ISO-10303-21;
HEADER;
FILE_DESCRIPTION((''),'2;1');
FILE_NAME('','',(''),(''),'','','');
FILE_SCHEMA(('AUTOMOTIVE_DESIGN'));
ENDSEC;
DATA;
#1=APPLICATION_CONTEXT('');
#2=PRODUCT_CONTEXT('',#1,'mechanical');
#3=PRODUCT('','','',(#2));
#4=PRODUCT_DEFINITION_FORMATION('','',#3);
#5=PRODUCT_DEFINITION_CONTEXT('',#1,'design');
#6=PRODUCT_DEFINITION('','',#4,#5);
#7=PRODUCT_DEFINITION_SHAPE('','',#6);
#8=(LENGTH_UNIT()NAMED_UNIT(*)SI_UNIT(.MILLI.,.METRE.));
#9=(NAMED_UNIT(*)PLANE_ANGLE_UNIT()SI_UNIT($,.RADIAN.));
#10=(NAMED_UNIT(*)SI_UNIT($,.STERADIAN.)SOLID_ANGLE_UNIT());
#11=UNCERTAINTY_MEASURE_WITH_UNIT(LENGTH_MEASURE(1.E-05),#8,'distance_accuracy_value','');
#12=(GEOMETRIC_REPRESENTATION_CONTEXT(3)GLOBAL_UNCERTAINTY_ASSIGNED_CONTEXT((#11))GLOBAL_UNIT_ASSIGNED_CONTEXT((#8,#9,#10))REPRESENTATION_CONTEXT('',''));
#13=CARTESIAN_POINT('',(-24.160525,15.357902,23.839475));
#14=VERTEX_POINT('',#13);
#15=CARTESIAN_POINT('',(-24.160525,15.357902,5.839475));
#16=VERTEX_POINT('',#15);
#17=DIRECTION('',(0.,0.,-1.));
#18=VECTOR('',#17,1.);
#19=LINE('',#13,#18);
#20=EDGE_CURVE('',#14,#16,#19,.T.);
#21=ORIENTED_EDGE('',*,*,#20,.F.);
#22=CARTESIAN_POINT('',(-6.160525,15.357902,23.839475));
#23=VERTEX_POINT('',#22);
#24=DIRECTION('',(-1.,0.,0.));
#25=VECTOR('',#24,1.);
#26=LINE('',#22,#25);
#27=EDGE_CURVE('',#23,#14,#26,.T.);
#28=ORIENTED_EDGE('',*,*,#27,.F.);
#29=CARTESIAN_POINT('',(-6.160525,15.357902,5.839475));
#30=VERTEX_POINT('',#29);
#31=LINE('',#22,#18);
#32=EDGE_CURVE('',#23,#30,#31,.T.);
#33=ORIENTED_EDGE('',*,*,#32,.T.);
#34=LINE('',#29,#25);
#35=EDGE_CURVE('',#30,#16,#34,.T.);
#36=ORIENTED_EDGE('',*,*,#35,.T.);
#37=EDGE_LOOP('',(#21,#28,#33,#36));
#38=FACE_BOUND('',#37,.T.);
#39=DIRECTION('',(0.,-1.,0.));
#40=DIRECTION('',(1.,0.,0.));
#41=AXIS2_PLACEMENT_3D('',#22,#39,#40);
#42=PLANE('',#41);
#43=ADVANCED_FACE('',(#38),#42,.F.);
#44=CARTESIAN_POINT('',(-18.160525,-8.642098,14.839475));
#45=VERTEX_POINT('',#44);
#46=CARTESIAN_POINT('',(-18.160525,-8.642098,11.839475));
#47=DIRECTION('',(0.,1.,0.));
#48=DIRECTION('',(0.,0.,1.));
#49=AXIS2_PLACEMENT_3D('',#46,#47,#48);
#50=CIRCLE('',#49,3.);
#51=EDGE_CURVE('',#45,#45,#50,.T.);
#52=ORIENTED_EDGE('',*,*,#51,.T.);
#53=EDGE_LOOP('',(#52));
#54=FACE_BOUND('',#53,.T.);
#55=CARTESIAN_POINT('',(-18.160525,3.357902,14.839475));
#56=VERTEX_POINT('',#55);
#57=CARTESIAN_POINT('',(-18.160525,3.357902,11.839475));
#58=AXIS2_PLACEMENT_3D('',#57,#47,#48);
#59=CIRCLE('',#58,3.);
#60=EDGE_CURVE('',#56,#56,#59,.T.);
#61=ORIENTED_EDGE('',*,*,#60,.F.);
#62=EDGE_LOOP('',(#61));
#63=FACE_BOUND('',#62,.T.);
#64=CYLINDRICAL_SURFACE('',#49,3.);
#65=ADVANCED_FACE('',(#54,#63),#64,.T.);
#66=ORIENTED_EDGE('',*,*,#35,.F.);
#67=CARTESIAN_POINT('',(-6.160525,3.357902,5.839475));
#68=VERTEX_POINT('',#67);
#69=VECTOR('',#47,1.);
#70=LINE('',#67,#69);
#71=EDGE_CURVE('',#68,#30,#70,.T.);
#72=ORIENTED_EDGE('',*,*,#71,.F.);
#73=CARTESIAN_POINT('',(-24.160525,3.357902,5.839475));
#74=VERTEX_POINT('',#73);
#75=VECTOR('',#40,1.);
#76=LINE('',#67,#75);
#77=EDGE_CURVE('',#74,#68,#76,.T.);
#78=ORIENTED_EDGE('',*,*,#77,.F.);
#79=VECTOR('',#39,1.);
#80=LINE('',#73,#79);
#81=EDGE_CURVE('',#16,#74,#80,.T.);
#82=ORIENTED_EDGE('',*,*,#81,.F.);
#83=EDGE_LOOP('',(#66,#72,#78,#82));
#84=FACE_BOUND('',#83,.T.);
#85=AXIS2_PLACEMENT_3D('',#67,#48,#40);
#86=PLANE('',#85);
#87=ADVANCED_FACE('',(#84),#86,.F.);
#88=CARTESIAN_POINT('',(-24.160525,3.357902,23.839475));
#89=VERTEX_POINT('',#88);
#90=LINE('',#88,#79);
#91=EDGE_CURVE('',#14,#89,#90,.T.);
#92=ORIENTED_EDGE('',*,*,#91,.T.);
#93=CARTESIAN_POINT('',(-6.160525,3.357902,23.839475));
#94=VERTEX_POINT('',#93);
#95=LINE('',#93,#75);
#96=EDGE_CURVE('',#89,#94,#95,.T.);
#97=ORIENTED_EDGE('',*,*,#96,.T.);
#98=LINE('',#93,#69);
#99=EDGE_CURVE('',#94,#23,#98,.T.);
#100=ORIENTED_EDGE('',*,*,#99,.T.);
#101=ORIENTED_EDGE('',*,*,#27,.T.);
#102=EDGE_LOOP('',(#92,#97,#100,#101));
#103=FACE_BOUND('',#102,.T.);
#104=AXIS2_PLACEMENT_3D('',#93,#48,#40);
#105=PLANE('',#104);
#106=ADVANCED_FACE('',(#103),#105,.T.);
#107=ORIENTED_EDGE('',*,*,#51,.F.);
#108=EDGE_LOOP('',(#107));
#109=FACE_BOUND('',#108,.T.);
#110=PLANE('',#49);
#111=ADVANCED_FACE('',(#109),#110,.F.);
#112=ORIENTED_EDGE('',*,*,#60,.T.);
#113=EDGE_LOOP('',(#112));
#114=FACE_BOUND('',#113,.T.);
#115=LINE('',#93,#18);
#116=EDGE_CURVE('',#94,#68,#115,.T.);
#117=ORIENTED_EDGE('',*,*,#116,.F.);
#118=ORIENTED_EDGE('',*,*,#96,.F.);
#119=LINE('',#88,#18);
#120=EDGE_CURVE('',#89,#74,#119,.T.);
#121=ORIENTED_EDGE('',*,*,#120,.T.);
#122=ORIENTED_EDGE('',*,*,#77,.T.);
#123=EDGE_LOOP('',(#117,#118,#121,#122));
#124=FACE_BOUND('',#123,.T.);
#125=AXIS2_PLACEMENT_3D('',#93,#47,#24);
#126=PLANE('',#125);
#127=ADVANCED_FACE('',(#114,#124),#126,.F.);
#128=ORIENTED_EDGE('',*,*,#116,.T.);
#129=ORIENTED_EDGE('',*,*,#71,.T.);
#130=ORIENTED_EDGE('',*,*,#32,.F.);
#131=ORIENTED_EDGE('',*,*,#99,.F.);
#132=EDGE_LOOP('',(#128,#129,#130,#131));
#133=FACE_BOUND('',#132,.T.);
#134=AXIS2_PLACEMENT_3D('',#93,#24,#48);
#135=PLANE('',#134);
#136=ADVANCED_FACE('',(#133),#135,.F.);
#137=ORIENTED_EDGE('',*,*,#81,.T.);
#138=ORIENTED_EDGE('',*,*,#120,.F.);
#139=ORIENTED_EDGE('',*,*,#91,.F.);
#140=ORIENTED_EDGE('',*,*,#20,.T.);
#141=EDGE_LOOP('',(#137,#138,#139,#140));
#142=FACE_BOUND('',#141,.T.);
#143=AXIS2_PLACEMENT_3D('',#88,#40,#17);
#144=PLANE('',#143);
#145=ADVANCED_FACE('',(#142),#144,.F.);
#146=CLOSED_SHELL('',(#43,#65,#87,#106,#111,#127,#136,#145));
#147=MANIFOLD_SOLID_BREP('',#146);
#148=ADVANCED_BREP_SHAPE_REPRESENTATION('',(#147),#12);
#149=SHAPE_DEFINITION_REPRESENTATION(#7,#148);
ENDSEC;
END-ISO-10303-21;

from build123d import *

# Parameters (mm, degrees)
ESQUISSE1_W         = 30
ESQUISSE1_H         = 20
BOSS_EXTRU_1_DEPTH  = 30
SKETCH1_R           = 5
BOSS_EXTRUDE1_DEPTH = 20
SCALE1_SCALE        = 0.6


with BuildPart() as part:
    # Esquisse1 → Boss.-Extru.1 (new body)
    with BuildSketch(Plane.XY):
        with Locations((-15, 10)):
            Rectangle(ESQUISSE1_W, ESQUISSE1_H)
    extrude(amount=BOSS_EXTRU_1_DEPTH)

    # Sketch1 → Boss-Extrude1 (add)
    with BuildSketch(Plane(origin=(0, 0, 0), x_dir=(1, 0, 0), z_dir=(0, 1, 0))):
        with Locations(Location((-20, -10, 0), (0, 0, 270))):
            Circle(SKETCH1_R)
    extrude(amount=-BOSS_EXTRUDE1_DEPTH)


with BuildPart() as part_1:
    # Scale1: scaled about (-15.401311296, 8.394754817, 14.598688704)
    add(part.part.scale(SCALE1_SCALE).moved(Location((-6.160524518, 3.357901927, 5.839475482))))


solid = part_1.part
